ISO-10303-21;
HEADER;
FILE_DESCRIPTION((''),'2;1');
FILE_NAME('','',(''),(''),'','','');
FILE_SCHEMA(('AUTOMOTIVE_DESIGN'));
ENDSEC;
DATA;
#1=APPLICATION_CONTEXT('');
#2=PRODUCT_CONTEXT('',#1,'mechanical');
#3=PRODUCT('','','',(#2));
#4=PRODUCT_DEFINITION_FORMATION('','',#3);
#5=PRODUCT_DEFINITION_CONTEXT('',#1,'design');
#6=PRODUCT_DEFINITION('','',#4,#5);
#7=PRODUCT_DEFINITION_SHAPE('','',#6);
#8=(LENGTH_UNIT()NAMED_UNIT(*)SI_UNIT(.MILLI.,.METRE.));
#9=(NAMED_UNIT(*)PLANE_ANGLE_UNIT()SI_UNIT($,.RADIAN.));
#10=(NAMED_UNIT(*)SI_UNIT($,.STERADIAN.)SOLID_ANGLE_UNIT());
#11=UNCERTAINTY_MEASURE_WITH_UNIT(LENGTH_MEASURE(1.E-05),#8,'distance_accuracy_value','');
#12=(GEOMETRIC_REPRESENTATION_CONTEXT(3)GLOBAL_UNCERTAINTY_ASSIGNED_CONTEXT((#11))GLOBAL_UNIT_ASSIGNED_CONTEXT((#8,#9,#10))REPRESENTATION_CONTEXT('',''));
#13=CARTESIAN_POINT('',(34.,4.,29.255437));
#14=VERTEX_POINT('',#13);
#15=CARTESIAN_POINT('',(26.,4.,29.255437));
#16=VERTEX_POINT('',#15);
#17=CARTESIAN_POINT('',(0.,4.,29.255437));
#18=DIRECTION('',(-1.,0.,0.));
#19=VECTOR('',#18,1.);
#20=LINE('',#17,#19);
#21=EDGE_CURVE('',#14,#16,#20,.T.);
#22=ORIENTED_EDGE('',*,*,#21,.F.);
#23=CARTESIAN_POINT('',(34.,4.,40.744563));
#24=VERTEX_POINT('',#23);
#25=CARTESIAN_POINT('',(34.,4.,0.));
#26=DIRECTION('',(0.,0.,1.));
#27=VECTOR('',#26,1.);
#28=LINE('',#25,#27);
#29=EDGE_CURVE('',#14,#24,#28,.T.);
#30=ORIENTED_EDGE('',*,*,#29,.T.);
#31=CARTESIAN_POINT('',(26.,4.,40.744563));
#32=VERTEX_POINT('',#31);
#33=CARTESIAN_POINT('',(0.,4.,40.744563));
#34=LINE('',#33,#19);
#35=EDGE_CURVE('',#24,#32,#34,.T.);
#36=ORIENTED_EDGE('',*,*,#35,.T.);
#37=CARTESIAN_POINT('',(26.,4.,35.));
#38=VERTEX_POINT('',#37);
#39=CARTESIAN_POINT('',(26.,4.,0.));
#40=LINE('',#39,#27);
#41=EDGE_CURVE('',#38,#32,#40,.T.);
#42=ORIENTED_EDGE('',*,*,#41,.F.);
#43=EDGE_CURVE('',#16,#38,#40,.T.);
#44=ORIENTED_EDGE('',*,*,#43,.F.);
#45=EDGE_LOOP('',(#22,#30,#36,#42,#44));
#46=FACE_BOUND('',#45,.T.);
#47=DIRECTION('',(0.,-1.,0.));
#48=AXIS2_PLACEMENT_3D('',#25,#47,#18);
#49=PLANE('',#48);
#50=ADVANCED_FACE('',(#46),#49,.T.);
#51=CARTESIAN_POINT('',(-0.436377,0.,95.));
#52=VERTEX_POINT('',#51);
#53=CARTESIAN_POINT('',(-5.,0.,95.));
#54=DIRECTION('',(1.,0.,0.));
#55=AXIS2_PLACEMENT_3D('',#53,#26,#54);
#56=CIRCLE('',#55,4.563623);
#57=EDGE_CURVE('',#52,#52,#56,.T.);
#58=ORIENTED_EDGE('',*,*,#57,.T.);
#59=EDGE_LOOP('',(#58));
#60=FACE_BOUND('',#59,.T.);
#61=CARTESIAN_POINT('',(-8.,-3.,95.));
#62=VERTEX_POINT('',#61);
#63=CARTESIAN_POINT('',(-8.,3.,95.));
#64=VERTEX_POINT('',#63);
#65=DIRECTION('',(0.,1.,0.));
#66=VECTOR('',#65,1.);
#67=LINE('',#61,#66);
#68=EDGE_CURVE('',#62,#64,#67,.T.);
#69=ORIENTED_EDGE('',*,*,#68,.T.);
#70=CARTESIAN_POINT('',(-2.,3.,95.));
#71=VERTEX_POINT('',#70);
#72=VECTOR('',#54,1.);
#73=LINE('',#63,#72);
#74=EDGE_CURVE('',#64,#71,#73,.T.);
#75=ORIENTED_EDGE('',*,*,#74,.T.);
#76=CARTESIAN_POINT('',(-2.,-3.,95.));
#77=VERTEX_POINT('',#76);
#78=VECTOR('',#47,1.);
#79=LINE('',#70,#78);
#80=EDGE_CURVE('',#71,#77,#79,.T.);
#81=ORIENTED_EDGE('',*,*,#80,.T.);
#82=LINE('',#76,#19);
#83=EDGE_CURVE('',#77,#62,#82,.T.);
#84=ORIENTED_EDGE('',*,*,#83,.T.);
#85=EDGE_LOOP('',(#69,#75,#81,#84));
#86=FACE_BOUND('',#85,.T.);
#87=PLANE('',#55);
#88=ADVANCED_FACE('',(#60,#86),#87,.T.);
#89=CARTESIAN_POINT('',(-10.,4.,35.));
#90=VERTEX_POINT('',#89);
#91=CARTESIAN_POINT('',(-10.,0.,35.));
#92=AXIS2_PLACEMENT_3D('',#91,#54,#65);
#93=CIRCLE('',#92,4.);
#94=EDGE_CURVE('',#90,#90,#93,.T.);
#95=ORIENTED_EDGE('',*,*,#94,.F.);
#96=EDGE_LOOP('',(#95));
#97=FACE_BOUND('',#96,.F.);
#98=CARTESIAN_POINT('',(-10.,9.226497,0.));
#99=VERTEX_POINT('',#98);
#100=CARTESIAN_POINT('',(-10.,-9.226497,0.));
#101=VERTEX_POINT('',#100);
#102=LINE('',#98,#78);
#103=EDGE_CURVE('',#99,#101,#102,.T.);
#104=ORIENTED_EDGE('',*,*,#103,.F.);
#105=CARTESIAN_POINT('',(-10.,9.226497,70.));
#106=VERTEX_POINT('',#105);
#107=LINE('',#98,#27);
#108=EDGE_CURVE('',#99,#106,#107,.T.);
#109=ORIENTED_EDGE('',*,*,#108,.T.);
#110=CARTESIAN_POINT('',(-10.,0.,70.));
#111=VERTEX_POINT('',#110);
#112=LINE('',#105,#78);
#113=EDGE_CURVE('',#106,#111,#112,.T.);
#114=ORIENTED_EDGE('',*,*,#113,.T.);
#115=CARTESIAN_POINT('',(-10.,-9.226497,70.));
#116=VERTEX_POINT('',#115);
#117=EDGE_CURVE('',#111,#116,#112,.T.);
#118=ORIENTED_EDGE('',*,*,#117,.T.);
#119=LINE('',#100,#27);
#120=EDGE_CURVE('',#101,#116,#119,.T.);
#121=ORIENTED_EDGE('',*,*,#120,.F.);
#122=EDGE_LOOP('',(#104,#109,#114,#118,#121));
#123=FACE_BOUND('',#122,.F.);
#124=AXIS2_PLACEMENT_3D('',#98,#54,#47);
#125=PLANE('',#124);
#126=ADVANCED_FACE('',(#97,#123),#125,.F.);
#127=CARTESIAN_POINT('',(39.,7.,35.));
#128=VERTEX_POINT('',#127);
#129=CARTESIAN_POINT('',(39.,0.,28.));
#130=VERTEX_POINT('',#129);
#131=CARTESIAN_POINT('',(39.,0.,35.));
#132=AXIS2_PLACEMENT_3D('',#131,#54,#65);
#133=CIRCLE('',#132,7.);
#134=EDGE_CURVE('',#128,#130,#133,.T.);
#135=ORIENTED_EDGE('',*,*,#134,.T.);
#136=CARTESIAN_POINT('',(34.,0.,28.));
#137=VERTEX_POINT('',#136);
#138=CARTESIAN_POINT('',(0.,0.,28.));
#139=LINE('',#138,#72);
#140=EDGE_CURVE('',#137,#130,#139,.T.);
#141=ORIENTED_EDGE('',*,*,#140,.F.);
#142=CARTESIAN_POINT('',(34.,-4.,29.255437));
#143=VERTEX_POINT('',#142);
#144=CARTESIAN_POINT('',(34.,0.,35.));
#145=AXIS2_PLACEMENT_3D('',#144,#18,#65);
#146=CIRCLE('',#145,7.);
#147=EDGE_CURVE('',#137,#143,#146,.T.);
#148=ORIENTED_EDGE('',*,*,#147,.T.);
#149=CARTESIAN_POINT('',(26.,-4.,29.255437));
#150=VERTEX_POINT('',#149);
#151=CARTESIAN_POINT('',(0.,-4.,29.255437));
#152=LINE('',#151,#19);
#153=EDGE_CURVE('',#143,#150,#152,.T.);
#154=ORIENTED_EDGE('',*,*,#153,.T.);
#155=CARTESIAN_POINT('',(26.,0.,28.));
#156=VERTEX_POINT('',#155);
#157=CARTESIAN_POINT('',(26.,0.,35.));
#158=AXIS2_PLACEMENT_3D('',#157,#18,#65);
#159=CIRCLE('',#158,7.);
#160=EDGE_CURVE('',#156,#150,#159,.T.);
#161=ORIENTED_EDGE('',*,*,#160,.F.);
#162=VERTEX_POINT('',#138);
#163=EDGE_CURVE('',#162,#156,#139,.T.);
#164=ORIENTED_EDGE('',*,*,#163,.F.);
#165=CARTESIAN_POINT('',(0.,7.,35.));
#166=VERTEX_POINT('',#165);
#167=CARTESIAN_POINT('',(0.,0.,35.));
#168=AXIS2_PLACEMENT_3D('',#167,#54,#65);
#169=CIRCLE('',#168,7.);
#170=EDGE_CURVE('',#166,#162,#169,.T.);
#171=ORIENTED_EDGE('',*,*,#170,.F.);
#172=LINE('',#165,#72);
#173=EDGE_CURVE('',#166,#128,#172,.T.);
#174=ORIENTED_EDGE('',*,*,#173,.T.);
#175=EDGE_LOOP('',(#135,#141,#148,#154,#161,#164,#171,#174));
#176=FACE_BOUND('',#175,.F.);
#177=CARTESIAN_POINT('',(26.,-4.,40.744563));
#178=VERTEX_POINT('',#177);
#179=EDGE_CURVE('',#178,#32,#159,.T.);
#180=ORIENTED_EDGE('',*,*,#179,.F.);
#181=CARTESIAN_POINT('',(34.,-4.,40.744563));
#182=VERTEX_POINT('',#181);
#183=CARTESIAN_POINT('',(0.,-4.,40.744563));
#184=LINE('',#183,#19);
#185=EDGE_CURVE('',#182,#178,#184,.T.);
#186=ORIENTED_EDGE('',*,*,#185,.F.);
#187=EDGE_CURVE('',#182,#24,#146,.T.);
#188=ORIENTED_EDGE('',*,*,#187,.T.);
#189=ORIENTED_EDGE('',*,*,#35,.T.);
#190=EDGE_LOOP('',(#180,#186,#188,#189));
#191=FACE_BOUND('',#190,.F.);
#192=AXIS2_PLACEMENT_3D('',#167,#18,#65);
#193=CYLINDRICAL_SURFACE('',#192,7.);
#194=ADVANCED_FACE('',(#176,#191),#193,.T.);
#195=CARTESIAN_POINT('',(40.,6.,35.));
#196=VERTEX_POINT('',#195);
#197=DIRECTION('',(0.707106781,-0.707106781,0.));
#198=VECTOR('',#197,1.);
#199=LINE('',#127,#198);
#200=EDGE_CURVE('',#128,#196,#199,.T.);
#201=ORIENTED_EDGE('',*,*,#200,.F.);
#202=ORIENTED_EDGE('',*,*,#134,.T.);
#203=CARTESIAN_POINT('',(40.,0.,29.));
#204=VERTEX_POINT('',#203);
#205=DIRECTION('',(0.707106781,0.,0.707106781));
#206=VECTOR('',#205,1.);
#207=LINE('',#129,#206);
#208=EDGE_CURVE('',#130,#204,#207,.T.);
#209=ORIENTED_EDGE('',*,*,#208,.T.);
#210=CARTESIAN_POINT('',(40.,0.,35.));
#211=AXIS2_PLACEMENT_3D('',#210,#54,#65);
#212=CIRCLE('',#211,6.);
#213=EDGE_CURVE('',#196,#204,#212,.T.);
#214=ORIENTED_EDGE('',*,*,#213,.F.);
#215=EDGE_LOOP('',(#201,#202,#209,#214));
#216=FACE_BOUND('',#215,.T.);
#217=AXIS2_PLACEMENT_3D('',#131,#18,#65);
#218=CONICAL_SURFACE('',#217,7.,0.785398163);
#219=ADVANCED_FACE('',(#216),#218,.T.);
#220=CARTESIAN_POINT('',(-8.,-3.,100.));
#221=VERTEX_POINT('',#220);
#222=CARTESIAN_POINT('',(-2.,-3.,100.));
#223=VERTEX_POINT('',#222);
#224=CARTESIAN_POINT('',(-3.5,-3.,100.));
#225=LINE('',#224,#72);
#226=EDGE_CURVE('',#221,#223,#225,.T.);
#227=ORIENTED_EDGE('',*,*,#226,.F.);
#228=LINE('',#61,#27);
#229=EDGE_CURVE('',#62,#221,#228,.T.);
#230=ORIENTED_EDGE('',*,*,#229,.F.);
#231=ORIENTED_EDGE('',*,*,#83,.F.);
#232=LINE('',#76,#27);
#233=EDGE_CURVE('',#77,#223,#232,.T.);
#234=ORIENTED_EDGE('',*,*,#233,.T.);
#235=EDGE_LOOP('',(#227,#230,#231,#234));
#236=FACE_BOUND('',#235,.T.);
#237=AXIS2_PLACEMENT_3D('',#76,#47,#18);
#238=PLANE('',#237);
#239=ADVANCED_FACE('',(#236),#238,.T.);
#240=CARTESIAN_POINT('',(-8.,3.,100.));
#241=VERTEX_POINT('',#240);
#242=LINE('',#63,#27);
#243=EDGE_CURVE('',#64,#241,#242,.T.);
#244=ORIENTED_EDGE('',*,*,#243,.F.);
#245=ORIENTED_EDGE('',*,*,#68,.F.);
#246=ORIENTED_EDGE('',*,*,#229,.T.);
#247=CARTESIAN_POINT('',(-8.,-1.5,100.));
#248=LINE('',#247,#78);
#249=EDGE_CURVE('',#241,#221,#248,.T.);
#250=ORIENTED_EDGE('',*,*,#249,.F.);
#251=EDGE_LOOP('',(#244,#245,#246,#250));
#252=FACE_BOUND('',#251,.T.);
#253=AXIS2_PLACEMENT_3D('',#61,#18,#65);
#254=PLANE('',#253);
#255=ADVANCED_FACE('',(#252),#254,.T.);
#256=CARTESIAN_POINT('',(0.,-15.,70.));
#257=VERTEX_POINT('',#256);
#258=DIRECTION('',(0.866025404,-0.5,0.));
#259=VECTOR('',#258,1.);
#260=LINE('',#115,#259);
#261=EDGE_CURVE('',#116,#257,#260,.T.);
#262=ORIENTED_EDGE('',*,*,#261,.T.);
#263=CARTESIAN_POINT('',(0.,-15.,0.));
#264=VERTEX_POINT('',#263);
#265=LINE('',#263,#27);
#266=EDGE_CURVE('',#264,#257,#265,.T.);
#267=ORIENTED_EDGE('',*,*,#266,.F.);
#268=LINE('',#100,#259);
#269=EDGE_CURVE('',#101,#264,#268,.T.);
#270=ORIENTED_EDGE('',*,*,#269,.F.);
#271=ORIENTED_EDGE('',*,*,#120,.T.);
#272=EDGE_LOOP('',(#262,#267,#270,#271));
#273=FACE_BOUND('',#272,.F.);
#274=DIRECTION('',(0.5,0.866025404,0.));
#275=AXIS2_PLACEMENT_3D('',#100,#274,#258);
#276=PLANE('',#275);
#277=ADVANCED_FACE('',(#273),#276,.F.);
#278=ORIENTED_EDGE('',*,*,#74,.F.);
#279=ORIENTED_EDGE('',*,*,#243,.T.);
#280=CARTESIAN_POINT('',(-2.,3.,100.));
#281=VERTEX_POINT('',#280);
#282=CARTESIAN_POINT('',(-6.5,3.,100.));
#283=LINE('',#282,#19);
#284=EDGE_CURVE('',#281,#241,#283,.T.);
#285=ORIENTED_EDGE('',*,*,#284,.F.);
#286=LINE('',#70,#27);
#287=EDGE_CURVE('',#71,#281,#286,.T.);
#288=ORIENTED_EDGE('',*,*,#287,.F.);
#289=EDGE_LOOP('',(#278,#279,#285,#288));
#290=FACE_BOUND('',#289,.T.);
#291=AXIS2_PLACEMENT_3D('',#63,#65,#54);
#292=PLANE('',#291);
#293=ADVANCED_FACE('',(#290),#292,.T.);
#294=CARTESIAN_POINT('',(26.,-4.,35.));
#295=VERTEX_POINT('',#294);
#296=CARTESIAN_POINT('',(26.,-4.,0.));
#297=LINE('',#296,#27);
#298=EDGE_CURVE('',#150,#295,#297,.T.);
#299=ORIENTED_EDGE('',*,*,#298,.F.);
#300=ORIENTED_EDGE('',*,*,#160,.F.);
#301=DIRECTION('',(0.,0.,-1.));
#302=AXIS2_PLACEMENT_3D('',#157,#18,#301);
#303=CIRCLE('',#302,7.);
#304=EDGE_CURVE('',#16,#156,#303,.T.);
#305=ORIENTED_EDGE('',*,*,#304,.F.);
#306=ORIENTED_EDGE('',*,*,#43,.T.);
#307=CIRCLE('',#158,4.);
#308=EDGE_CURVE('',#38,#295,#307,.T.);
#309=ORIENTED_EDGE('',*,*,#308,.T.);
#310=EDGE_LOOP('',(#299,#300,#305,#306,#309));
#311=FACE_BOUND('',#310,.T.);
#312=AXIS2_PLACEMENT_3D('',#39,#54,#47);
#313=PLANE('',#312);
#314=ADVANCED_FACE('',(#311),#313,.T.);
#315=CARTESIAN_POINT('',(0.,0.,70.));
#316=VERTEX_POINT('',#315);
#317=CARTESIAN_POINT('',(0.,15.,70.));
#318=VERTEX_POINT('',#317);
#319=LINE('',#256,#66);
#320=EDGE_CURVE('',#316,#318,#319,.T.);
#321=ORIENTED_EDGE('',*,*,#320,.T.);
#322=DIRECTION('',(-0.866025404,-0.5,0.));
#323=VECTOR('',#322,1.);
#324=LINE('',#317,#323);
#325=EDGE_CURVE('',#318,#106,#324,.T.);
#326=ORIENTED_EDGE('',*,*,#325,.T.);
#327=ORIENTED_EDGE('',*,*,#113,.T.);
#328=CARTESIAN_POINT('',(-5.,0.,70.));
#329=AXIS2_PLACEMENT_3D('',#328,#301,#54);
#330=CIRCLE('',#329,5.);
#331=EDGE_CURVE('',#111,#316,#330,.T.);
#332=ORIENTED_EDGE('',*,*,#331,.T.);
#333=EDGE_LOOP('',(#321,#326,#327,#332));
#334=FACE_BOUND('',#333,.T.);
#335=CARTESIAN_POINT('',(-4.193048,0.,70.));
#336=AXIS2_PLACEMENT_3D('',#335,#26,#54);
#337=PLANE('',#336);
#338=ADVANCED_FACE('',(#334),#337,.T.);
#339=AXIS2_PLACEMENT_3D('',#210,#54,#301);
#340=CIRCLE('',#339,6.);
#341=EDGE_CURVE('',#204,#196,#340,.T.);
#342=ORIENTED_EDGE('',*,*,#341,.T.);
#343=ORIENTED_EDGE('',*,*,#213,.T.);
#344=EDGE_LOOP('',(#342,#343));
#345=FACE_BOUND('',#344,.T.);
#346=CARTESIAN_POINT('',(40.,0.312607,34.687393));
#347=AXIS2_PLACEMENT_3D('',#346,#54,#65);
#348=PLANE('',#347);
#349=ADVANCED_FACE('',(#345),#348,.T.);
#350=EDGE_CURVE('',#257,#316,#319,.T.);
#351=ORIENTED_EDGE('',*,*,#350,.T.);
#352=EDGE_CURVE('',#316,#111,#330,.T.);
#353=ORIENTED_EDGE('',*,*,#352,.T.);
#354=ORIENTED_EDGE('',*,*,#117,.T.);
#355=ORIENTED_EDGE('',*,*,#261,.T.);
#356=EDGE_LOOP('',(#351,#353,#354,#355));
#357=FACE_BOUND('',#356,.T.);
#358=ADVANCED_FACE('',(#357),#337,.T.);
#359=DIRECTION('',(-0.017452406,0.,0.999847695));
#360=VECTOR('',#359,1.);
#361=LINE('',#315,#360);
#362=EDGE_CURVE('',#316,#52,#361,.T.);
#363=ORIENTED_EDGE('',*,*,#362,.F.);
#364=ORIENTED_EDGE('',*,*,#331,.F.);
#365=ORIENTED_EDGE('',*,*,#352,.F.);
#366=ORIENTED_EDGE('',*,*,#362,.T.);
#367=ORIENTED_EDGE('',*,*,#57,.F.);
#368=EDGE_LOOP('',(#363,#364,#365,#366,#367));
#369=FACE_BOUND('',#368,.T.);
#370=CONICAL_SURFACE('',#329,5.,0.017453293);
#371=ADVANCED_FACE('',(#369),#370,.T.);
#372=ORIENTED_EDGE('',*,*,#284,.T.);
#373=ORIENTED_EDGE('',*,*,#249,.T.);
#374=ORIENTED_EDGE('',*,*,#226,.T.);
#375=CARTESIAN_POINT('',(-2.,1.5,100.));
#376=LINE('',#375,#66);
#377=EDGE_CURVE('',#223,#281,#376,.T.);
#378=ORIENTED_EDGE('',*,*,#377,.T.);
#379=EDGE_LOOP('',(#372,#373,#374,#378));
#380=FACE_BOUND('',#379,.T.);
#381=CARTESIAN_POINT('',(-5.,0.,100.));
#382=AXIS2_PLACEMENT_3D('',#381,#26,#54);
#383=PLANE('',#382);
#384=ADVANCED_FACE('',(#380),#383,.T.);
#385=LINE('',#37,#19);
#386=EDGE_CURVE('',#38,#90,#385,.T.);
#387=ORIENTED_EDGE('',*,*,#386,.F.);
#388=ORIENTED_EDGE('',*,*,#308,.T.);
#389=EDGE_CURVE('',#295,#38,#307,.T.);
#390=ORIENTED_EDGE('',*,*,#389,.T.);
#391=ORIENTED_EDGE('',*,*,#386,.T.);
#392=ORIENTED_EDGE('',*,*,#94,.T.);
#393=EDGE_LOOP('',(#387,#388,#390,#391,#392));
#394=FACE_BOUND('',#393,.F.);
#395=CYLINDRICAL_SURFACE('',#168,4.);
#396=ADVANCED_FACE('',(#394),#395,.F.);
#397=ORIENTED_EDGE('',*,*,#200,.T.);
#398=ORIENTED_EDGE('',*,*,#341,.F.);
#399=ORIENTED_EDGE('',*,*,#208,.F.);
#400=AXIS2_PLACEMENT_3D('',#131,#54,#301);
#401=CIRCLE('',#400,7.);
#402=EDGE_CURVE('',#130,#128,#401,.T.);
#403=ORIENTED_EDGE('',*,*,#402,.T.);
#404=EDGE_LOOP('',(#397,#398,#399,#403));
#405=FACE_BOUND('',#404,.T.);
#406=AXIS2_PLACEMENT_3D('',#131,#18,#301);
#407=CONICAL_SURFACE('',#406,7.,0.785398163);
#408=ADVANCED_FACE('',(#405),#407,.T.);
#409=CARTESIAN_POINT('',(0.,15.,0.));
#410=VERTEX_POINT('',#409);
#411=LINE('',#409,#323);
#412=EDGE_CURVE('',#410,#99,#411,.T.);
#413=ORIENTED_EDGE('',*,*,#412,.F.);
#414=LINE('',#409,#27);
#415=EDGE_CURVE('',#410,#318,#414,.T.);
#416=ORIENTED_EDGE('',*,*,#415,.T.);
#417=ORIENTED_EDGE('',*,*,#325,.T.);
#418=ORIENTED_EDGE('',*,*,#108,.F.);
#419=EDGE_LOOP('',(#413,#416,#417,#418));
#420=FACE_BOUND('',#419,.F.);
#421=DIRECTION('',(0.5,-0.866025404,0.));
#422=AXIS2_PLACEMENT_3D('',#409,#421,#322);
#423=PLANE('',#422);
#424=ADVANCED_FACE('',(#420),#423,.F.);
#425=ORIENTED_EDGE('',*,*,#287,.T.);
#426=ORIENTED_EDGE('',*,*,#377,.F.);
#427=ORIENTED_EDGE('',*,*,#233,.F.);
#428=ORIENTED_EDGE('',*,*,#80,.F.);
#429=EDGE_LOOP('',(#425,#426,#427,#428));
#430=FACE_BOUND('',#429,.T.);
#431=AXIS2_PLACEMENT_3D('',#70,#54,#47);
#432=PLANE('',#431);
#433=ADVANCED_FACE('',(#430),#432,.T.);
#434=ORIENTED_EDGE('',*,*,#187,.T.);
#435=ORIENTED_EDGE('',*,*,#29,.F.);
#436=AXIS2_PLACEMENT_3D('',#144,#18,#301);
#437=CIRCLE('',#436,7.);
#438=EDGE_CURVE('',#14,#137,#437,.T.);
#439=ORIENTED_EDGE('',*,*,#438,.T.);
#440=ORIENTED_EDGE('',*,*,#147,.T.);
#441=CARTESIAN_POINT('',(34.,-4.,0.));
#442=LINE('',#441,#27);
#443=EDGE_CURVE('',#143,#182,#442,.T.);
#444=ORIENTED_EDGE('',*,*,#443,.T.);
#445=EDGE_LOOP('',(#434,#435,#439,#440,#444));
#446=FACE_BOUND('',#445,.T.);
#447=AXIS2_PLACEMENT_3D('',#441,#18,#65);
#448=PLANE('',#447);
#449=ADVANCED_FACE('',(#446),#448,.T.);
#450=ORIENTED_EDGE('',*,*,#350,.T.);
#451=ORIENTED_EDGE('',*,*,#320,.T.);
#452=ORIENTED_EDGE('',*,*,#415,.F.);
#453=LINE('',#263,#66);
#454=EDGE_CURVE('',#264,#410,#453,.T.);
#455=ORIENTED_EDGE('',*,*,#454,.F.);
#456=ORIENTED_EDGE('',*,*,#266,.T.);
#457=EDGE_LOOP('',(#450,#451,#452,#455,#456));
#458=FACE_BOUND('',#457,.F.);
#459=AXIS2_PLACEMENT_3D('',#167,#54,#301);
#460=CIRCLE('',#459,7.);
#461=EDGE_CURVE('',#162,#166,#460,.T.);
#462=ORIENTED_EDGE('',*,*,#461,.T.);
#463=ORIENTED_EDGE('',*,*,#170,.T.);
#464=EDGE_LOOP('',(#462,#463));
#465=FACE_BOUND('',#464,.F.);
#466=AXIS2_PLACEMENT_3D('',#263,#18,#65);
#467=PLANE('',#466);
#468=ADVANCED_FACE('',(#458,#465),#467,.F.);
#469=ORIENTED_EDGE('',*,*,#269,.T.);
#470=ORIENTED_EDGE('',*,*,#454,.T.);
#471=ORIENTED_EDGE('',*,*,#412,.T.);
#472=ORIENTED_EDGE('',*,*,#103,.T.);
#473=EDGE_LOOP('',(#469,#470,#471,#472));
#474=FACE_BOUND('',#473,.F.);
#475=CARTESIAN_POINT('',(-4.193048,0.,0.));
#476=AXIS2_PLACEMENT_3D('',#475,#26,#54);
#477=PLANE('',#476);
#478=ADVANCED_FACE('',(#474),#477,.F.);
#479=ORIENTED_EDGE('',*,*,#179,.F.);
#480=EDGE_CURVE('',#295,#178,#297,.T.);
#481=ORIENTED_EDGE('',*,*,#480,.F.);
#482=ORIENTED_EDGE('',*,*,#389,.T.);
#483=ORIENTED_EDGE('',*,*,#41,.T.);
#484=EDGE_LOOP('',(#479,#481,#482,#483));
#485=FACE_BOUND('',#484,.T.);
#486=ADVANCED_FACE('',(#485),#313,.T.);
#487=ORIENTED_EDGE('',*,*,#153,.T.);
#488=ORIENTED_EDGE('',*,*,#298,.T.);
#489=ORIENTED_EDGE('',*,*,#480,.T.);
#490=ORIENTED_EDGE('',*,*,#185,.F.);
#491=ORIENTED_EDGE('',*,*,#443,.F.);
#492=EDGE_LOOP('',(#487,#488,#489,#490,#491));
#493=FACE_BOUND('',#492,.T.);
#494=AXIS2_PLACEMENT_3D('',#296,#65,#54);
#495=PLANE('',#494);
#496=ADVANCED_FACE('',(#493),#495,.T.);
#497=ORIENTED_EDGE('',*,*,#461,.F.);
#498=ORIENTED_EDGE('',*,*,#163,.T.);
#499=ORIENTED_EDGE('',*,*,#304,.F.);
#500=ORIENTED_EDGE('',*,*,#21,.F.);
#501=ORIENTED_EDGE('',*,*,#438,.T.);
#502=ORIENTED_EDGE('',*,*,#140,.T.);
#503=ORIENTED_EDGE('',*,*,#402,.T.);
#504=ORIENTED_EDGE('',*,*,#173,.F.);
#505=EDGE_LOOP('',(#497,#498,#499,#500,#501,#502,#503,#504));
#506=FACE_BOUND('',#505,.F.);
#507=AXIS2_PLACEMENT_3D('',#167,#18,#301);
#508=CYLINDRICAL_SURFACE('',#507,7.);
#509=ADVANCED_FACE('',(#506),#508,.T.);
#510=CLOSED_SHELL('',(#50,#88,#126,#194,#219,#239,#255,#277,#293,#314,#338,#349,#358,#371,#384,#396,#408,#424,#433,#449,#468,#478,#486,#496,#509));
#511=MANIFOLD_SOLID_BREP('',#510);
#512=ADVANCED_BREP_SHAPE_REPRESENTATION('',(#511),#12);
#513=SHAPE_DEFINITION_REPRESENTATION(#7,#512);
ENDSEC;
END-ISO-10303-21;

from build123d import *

# Parameters (mm, degrees)
F1_DEPTH      = 70
F3_DEPTH      = 40
F4_SIZE       = 1
F6_DEPTH      = 25
F6_DEPTH_BACK = 100
F7_R          = 4
F8_DEPTH      = 30
F8_DEPTH_BACK = 25
F10_R         = 5
F11_DEPTH     = 30
F11_TAPER     = 1
F13_START     = 25
F12_R         = 21.0146982342
F13_DEPTH     = 15


with BuildPart() as f1:
    # F0 (on Top) → F1 (new body)
    with BuildSketch(Plane.XY):
        Polygon((0, -15), (0, 0), (0, 15), (-10, 9.2264973081), (-10, -9.2264973081), align=None)
    extrude(amount=F1_DEPTH)

    # F2 (on Right) → F3 (join)
    with BuildSketch(Plane.YZ):
        with BuildLine():
            ThreePointArc((7, 35), (-4.9497474683, 39.9497474683), (0, 28))
            ThreePointArc((0, 28), (4.9497474683, 30.0502525317), (7, 35))
        make_face()
        with BuildLine():
            ThreePointArc((4, 35), (2.8284271247, 32.1715728753), (0, 31))
            ThreePointArc((0, 31), (-2.8284271247, 37.8284271247), (4, 35))
        make_face(mode=Mode.SUBTRACT)
        with BuildLine():
            ThreePointArc((4, 35), (-2.8284271247, 37.8284271247), (0, 31))
            ThreePointArc((0, 31), (2.8284271247, 32.1715728753), (4, 35))
        make_face()
    extrude(amount=F3_DEPTH)

    # F4
    f4_edges = [f1.edges().sort_by_distance(p)[0] for p in [
        (40, -7, 35),
    ]]
    chamfer(f4_edges, length=F4_SIZE)

    # F5 (on Top) → F6 (cut, two sides)
    with BuildSketch(Plane.XY) as f6_sk:
        Polygon((26, -4), (34, -4), (34, 4), (26, 4), (26, 0), align=None)
    extrude(amount=-F6_DEPTH, mode=Mode.SUBTRACT)
    extrude(f6_sk.sketch, amount=F6_DEPTH_BACK, mode=Mode.SUBTRACT)

    # F7 (on Right) → F8 (cut, two sides)
    with BuildSketch(Plane.YZ) as f8_sk:
        with Locations((0, 35)):
            Circle(F7_R)
    extrude(amount=F8_DEPTH, mode=Mode.SUBTRACT)
    extrude(f8_sk.sketch, amount=-F8_DEPTH_BACK, mode=Mode.SUBTRACT)

    # F10 (on offset) → F11 (join)
    with BuildSketch(Plane.XY.offset(70)):
        with Locations((-5, 0)):
            Circle(F10_R)
    extrude(amount=F11_DEPTH, taper=F11_TAPER)

    # F12 (on offset) → F13 (cut)
    with BuildSketch(Plane.XY.offset(70).offset(F13_START)):
        with Locations((-5, 0)):
            Circle(F12_R)
        Polygon((-2, -3), (-8, -3), (-8, 3), (-2, 3), (-2, 0), align=None, mode=Mode.SUBTRACT)
    extrude(amount=F13_DEPTH, mode=Mode.SUBTRACT)


solid = f1.part
